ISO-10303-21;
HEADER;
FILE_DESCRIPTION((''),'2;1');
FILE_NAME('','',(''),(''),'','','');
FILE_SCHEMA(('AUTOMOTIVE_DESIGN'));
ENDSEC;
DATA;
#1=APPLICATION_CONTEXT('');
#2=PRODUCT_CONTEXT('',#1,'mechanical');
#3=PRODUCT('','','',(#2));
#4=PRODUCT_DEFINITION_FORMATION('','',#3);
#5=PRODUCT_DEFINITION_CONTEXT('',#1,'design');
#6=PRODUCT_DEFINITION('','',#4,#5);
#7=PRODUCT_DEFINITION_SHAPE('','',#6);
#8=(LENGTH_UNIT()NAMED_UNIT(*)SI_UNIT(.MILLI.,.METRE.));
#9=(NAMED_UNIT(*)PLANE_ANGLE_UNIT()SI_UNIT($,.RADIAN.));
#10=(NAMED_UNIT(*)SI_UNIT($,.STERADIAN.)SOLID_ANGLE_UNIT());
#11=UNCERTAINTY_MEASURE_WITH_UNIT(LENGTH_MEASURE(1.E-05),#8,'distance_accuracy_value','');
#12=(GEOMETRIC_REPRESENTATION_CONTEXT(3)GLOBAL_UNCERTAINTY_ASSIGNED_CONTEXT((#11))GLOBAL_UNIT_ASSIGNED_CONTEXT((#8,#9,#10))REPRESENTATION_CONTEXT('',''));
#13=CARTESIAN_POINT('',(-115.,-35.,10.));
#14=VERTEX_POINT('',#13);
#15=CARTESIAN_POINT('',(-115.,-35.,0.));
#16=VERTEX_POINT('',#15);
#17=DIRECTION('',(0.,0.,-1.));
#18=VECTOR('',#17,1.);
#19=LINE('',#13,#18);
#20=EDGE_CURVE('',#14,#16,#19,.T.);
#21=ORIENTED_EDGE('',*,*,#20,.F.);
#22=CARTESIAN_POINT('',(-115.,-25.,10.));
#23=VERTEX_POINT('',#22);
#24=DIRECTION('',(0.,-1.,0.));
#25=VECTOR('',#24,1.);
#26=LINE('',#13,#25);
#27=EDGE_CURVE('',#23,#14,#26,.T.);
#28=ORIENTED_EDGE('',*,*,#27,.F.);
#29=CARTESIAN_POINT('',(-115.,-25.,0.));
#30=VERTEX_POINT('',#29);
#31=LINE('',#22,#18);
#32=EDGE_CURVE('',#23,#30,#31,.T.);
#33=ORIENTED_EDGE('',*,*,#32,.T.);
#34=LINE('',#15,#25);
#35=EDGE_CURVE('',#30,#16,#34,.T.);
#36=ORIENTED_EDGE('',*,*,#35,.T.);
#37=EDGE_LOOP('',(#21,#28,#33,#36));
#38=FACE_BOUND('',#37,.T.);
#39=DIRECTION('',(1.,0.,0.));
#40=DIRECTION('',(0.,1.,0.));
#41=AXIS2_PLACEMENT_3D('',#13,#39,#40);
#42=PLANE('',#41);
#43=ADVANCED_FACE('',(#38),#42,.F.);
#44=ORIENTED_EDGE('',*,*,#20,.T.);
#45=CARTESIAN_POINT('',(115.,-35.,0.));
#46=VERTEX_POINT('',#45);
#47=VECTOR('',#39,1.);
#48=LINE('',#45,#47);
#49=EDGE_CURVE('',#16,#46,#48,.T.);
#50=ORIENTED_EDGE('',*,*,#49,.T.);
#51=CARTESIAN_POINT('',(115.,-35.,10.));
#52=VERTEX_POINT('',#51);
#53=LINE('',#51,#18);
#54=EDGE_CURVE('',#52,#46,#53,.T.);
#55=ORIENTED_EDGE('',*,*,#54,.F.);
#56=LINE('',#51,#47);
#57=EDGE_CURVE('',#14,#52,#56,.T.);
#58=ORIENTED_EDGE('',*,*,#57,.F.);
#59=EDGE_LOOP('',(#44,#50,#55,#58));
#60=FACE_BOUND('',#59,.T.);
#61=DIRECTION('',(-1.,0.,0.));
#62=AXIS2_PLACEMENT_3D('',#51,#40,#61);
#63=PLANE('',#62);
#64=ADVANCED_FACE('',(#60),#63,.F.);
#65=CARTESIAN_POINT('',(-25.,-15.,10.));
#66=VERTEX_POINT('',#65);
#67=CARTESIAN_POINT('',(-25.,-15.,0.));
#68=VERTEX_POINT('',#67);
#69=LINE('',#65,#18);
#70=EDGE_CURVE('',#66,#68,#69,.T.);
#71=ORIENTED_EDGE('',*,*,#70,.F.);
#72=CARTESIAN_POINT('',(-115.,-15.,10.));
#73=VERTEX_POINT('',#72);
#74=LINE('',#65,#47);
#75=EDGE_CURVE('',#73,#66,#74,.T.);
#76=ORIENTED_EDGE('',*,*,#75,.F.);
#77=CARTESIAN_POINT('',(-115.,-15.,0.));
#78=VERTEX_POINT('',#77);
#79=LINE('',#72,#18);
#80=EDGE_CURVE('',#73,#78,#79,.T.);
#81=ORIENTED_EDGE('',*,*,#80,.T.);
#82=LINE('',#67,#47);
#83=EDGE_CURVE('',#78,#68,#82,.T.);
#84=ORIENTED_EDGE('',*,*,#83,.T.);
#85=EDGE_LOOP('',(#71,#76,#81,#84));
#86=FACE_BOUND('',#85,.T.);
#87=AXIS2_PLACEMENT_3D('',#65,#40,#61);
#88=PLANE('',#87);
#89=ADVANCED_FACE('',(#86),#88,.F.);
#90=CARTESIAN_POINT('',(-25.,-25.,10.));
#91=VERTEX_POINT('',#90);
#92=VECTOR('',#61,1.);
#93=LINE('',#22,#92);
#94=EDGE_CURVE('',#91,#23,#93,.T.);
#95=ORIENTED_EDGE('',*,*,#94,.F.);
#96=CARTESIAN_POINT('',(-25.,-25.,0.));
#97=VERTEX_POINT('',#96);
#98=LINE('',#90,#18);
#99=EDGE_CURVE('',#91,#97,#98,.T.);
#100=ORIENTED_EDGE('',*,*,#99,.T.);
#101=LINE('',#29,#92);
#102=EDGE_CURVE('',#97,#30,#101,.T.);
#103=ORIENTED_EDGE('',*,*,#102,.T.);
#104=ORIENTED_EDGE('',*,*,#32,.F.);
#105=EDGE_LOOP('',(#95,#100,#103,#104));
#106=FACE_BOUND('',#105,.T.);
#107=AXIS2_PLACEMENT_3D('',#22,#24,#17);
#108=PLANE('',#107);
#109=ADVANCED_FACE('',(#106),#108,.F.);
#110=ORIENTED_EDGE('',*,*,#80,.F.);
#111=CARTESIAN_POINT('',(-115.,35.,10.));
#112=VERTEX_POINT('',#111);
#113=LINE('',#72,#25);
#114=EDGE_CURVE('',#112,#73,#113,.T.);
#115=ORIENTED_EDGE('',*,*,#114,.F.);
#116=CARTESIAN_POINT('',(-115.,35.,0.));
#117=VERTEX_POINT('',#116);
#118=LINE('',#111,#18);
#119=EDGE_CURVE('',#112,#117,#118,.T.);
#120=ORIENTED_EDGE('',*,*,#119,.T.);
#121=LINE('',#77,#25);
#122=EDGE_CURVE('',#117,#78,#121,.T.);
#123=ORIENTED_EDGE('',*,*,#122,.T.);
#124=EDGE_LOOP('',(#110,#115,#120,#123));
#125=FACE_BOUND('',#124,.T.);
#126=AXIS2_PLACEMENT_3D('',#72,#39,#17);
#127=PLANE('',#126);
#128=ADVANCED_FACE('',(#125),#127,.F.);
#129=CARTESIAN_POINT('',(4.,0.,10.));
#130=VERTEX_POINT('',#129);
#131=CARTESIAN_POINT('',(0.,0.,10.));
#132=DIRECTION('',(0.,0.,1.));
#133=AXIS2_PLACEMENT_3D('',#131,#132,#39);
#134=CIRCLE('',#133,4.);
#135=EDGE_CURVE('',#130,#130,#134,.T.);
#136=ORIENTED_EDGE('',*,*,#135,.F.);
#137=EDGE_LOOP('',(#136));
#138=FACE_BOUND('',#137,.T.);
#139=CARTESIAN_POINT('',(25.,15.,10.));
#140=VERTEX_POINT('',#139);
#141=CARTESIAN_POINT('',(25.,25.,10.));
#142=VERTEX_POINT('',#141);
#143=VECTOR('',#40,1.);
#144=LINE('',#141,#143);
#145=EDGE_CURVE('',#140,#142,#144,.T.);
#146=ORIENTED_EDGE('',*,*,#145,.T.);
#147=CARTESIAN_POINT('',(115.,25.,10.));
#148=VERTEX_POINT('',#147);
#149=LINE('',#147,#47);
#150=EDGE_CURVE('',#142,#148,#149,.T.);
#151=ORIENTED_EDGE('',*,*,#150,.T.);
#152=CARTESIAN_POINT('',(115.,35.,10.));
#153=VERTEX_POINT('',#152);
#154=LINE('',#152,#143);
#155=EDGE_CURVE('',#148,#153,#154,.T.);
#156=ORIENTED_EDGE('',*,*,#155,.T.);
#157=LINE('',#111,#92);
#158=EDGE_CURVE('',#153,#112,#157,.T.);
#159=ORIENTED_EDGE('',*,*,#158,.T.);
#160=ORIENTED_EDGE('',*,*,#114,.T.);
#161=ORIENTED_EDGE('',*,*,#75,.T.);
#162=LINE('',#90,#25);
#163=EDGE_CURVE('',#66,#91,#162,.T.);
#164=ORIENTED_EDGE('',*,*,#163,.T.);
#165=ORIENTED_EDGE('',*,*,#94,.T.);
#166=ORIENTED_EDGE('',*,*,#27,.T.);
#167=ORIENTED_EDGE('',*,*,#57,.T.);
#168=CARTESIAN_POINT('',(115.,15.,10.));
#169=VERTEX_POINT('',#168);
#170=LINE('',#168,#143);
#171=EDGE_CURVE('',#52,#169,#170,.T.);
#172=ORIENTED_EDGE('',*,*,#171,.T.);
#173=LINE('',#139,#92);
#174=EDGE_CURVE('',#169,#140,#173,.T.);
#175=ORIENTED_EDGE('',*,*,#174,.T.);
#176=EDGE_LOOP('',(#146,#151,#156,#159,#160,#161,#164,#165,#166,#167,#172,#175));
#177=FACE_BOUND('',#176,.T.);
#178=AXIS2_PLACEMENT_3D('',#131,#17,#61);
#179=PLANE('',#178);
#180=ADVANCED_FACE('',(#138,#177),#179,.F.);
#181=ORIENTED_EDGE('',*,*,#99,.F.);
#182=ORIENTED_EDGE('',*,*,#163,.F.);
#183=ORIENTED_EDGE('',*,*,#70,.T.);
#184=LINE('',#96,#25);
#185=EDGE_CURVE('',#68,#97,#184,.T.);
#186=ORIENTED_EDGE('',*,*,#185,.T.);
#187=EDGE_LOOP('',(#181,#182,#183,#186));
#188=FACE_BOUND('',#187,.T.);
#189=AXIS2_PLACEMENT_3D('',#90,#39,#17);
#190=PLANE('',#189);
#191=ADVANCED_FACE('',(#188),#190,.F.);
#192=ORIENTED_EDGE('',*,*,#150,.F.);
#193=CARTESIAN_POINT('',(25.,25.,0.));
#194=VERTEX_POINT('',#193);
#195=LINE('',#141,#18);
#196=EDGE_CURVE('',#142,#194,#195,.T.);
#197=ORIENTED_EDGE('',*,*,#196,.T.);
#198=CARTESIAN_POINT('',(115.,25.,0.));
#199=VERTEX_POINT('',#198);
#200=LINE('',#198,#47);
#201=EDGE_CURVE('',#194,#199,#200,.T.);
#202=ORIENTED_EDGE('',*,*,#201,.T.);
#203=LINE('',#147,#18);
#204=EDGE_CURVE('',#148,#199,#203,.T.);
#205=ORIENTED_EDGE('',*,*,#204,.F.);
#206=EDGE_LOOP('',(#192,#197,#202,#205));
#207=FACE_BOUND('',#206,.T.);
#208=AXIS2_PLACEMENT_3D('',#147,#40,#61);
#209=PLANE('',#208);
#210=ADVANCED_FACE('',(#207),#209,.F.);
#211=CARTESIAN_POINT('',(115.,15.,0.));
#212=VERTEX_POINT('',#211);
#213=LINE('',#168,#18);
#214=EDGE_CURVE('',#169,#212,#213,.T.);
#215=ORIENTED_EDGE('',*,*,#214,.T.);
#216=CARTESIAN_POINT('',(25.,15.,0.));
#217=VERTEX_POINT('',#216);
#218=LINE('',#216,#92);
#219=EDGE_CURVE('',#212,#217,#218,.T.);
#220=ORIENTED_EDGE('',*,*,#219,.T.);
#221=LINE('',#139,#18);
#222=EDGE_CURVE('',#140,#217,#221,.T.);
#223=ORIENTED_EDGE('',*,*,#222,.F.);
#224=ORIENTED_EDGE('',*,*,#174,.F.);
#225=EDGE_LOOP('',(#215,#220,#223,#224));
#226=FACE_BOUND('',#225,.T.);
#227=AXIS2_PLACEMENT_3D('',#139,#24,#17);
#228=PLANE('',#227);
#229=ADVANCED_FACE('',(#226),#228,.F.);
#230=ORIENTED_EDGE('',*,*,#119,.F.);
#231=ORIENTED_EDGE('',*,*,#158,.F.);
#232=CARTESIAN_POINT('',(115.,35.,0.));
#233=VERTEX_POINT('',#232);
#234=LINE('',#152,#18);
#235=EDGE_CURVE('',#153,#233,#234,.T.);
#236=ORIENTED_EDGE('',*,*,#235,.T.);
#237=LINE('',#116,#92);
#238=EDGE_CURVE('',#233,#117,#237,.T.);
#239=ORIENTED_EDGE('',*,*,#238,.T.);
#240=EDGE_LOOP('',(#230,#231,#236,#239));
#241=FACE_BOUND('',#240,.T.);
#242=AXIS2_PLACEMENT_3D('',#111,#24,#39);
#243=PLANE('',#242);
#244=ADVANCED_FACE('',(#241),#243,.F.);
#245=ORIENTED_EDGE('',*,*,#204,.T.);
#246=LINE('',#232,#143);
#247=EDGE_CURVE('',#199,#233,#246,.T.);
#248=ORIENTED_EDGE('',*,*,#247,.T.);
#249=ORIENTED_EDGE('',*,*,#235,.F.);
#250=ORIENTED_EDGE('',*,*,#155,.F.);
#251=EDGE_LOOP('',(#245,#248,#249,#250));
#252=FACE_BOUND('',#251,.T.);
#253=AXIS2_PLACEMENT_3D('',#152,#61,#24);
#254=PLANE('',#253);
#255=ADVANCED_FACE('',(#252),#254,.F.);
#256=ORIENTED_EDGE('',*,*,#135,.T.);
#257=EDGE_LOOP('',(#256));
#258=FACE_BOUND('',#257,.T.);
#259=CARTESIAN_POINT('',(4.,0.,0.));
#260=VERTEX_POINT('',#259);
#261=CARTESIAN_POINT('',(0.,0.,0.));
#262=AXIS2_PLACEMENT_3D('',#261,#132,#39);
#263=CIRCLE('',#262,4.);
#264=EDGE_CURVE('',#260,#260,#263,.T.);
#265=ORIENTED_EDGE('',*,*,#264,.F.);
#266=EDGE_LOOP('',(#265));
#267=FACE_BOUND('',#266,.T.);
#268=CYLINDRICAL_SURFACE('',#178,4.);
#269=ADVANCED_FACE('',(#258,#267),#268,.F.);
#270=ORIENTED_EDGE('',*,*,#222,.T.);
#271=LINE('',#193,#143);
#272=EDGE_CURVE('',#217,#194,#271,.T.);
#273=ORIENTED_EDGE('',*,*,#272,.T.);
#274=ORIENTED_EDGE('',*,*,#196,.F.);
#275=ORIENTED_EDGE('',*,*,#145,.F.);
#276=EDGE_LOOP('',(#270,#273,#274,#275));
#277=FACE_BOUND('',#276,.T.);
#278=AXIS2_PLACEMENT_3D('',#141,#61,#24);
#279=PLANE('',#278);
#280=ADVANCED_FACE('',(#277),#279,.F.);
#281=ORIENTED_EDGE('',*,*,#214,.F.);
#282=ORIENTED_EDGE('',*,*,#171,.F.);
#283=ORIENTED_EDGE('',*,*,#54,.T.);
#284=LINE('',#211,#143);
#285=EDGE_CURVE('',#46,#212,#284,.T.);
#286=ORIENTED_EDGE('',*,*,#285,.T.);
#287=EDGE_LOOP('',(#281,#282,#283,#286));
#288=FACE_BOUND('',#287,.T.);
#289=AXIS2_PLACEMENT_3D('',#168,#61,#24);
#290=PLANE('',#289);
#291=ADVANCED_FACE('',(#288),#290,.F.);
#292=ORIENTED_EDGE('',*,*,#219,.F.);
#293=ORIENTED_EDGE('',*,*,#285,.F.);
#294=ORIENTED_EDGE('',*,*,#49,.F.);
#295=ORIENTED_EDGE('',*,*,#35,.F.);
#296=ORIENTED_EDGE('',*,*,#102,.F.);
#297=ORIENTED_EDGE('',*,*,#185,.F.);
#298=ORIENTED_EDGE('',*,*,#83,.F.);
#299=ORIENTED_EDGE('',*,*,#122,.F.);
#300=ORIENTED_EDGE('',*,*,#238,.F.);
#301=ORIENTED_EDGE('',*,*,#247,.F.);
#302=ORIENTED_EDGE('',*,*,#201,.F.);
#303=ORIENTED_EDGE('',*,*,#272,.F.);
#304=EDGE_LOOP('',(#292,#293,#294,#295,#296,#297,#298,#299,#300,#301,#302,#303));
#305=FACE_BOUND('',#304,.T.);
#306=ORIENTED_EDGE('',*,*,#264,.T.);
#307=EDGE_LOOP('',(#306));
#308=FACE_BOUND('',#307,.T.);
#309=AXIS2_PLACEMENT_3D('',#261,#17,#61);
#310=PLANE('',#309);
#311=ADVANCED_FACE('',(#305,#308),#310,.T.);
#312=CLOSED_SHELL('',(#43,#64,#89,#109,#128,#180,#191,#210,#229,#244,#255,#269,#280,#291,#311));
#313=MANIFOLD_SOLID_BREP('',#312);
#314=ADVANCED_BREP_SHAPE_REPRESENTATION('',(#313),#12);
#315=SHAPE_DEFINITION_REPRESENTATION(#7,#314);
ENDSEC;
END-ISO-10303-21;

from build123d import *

# Parameters (mm, degrees)
SKETCH1_R           = 4
BOSS_EXTRUDE2_DEPTH = 10


with BuildPart() as part:
    # Sketch1 → Boss-Extrude2 (new body)
    with BuildSketch(Plane.XY):
        Polygon((-115, 35), (115, 35), (115, 25), (25, 25), (25, 15), (115, 15), (115, -35), (-115, -35), (-115, -25), (-25, -25), (-25, -15), (-115, -15), align=None)
        Circle(SKETCH1_R, mode=Mode.SUBTRACT)
    extrude(amount=BOSS_EXTRUDE2_DEPTH)


solid = part.part
